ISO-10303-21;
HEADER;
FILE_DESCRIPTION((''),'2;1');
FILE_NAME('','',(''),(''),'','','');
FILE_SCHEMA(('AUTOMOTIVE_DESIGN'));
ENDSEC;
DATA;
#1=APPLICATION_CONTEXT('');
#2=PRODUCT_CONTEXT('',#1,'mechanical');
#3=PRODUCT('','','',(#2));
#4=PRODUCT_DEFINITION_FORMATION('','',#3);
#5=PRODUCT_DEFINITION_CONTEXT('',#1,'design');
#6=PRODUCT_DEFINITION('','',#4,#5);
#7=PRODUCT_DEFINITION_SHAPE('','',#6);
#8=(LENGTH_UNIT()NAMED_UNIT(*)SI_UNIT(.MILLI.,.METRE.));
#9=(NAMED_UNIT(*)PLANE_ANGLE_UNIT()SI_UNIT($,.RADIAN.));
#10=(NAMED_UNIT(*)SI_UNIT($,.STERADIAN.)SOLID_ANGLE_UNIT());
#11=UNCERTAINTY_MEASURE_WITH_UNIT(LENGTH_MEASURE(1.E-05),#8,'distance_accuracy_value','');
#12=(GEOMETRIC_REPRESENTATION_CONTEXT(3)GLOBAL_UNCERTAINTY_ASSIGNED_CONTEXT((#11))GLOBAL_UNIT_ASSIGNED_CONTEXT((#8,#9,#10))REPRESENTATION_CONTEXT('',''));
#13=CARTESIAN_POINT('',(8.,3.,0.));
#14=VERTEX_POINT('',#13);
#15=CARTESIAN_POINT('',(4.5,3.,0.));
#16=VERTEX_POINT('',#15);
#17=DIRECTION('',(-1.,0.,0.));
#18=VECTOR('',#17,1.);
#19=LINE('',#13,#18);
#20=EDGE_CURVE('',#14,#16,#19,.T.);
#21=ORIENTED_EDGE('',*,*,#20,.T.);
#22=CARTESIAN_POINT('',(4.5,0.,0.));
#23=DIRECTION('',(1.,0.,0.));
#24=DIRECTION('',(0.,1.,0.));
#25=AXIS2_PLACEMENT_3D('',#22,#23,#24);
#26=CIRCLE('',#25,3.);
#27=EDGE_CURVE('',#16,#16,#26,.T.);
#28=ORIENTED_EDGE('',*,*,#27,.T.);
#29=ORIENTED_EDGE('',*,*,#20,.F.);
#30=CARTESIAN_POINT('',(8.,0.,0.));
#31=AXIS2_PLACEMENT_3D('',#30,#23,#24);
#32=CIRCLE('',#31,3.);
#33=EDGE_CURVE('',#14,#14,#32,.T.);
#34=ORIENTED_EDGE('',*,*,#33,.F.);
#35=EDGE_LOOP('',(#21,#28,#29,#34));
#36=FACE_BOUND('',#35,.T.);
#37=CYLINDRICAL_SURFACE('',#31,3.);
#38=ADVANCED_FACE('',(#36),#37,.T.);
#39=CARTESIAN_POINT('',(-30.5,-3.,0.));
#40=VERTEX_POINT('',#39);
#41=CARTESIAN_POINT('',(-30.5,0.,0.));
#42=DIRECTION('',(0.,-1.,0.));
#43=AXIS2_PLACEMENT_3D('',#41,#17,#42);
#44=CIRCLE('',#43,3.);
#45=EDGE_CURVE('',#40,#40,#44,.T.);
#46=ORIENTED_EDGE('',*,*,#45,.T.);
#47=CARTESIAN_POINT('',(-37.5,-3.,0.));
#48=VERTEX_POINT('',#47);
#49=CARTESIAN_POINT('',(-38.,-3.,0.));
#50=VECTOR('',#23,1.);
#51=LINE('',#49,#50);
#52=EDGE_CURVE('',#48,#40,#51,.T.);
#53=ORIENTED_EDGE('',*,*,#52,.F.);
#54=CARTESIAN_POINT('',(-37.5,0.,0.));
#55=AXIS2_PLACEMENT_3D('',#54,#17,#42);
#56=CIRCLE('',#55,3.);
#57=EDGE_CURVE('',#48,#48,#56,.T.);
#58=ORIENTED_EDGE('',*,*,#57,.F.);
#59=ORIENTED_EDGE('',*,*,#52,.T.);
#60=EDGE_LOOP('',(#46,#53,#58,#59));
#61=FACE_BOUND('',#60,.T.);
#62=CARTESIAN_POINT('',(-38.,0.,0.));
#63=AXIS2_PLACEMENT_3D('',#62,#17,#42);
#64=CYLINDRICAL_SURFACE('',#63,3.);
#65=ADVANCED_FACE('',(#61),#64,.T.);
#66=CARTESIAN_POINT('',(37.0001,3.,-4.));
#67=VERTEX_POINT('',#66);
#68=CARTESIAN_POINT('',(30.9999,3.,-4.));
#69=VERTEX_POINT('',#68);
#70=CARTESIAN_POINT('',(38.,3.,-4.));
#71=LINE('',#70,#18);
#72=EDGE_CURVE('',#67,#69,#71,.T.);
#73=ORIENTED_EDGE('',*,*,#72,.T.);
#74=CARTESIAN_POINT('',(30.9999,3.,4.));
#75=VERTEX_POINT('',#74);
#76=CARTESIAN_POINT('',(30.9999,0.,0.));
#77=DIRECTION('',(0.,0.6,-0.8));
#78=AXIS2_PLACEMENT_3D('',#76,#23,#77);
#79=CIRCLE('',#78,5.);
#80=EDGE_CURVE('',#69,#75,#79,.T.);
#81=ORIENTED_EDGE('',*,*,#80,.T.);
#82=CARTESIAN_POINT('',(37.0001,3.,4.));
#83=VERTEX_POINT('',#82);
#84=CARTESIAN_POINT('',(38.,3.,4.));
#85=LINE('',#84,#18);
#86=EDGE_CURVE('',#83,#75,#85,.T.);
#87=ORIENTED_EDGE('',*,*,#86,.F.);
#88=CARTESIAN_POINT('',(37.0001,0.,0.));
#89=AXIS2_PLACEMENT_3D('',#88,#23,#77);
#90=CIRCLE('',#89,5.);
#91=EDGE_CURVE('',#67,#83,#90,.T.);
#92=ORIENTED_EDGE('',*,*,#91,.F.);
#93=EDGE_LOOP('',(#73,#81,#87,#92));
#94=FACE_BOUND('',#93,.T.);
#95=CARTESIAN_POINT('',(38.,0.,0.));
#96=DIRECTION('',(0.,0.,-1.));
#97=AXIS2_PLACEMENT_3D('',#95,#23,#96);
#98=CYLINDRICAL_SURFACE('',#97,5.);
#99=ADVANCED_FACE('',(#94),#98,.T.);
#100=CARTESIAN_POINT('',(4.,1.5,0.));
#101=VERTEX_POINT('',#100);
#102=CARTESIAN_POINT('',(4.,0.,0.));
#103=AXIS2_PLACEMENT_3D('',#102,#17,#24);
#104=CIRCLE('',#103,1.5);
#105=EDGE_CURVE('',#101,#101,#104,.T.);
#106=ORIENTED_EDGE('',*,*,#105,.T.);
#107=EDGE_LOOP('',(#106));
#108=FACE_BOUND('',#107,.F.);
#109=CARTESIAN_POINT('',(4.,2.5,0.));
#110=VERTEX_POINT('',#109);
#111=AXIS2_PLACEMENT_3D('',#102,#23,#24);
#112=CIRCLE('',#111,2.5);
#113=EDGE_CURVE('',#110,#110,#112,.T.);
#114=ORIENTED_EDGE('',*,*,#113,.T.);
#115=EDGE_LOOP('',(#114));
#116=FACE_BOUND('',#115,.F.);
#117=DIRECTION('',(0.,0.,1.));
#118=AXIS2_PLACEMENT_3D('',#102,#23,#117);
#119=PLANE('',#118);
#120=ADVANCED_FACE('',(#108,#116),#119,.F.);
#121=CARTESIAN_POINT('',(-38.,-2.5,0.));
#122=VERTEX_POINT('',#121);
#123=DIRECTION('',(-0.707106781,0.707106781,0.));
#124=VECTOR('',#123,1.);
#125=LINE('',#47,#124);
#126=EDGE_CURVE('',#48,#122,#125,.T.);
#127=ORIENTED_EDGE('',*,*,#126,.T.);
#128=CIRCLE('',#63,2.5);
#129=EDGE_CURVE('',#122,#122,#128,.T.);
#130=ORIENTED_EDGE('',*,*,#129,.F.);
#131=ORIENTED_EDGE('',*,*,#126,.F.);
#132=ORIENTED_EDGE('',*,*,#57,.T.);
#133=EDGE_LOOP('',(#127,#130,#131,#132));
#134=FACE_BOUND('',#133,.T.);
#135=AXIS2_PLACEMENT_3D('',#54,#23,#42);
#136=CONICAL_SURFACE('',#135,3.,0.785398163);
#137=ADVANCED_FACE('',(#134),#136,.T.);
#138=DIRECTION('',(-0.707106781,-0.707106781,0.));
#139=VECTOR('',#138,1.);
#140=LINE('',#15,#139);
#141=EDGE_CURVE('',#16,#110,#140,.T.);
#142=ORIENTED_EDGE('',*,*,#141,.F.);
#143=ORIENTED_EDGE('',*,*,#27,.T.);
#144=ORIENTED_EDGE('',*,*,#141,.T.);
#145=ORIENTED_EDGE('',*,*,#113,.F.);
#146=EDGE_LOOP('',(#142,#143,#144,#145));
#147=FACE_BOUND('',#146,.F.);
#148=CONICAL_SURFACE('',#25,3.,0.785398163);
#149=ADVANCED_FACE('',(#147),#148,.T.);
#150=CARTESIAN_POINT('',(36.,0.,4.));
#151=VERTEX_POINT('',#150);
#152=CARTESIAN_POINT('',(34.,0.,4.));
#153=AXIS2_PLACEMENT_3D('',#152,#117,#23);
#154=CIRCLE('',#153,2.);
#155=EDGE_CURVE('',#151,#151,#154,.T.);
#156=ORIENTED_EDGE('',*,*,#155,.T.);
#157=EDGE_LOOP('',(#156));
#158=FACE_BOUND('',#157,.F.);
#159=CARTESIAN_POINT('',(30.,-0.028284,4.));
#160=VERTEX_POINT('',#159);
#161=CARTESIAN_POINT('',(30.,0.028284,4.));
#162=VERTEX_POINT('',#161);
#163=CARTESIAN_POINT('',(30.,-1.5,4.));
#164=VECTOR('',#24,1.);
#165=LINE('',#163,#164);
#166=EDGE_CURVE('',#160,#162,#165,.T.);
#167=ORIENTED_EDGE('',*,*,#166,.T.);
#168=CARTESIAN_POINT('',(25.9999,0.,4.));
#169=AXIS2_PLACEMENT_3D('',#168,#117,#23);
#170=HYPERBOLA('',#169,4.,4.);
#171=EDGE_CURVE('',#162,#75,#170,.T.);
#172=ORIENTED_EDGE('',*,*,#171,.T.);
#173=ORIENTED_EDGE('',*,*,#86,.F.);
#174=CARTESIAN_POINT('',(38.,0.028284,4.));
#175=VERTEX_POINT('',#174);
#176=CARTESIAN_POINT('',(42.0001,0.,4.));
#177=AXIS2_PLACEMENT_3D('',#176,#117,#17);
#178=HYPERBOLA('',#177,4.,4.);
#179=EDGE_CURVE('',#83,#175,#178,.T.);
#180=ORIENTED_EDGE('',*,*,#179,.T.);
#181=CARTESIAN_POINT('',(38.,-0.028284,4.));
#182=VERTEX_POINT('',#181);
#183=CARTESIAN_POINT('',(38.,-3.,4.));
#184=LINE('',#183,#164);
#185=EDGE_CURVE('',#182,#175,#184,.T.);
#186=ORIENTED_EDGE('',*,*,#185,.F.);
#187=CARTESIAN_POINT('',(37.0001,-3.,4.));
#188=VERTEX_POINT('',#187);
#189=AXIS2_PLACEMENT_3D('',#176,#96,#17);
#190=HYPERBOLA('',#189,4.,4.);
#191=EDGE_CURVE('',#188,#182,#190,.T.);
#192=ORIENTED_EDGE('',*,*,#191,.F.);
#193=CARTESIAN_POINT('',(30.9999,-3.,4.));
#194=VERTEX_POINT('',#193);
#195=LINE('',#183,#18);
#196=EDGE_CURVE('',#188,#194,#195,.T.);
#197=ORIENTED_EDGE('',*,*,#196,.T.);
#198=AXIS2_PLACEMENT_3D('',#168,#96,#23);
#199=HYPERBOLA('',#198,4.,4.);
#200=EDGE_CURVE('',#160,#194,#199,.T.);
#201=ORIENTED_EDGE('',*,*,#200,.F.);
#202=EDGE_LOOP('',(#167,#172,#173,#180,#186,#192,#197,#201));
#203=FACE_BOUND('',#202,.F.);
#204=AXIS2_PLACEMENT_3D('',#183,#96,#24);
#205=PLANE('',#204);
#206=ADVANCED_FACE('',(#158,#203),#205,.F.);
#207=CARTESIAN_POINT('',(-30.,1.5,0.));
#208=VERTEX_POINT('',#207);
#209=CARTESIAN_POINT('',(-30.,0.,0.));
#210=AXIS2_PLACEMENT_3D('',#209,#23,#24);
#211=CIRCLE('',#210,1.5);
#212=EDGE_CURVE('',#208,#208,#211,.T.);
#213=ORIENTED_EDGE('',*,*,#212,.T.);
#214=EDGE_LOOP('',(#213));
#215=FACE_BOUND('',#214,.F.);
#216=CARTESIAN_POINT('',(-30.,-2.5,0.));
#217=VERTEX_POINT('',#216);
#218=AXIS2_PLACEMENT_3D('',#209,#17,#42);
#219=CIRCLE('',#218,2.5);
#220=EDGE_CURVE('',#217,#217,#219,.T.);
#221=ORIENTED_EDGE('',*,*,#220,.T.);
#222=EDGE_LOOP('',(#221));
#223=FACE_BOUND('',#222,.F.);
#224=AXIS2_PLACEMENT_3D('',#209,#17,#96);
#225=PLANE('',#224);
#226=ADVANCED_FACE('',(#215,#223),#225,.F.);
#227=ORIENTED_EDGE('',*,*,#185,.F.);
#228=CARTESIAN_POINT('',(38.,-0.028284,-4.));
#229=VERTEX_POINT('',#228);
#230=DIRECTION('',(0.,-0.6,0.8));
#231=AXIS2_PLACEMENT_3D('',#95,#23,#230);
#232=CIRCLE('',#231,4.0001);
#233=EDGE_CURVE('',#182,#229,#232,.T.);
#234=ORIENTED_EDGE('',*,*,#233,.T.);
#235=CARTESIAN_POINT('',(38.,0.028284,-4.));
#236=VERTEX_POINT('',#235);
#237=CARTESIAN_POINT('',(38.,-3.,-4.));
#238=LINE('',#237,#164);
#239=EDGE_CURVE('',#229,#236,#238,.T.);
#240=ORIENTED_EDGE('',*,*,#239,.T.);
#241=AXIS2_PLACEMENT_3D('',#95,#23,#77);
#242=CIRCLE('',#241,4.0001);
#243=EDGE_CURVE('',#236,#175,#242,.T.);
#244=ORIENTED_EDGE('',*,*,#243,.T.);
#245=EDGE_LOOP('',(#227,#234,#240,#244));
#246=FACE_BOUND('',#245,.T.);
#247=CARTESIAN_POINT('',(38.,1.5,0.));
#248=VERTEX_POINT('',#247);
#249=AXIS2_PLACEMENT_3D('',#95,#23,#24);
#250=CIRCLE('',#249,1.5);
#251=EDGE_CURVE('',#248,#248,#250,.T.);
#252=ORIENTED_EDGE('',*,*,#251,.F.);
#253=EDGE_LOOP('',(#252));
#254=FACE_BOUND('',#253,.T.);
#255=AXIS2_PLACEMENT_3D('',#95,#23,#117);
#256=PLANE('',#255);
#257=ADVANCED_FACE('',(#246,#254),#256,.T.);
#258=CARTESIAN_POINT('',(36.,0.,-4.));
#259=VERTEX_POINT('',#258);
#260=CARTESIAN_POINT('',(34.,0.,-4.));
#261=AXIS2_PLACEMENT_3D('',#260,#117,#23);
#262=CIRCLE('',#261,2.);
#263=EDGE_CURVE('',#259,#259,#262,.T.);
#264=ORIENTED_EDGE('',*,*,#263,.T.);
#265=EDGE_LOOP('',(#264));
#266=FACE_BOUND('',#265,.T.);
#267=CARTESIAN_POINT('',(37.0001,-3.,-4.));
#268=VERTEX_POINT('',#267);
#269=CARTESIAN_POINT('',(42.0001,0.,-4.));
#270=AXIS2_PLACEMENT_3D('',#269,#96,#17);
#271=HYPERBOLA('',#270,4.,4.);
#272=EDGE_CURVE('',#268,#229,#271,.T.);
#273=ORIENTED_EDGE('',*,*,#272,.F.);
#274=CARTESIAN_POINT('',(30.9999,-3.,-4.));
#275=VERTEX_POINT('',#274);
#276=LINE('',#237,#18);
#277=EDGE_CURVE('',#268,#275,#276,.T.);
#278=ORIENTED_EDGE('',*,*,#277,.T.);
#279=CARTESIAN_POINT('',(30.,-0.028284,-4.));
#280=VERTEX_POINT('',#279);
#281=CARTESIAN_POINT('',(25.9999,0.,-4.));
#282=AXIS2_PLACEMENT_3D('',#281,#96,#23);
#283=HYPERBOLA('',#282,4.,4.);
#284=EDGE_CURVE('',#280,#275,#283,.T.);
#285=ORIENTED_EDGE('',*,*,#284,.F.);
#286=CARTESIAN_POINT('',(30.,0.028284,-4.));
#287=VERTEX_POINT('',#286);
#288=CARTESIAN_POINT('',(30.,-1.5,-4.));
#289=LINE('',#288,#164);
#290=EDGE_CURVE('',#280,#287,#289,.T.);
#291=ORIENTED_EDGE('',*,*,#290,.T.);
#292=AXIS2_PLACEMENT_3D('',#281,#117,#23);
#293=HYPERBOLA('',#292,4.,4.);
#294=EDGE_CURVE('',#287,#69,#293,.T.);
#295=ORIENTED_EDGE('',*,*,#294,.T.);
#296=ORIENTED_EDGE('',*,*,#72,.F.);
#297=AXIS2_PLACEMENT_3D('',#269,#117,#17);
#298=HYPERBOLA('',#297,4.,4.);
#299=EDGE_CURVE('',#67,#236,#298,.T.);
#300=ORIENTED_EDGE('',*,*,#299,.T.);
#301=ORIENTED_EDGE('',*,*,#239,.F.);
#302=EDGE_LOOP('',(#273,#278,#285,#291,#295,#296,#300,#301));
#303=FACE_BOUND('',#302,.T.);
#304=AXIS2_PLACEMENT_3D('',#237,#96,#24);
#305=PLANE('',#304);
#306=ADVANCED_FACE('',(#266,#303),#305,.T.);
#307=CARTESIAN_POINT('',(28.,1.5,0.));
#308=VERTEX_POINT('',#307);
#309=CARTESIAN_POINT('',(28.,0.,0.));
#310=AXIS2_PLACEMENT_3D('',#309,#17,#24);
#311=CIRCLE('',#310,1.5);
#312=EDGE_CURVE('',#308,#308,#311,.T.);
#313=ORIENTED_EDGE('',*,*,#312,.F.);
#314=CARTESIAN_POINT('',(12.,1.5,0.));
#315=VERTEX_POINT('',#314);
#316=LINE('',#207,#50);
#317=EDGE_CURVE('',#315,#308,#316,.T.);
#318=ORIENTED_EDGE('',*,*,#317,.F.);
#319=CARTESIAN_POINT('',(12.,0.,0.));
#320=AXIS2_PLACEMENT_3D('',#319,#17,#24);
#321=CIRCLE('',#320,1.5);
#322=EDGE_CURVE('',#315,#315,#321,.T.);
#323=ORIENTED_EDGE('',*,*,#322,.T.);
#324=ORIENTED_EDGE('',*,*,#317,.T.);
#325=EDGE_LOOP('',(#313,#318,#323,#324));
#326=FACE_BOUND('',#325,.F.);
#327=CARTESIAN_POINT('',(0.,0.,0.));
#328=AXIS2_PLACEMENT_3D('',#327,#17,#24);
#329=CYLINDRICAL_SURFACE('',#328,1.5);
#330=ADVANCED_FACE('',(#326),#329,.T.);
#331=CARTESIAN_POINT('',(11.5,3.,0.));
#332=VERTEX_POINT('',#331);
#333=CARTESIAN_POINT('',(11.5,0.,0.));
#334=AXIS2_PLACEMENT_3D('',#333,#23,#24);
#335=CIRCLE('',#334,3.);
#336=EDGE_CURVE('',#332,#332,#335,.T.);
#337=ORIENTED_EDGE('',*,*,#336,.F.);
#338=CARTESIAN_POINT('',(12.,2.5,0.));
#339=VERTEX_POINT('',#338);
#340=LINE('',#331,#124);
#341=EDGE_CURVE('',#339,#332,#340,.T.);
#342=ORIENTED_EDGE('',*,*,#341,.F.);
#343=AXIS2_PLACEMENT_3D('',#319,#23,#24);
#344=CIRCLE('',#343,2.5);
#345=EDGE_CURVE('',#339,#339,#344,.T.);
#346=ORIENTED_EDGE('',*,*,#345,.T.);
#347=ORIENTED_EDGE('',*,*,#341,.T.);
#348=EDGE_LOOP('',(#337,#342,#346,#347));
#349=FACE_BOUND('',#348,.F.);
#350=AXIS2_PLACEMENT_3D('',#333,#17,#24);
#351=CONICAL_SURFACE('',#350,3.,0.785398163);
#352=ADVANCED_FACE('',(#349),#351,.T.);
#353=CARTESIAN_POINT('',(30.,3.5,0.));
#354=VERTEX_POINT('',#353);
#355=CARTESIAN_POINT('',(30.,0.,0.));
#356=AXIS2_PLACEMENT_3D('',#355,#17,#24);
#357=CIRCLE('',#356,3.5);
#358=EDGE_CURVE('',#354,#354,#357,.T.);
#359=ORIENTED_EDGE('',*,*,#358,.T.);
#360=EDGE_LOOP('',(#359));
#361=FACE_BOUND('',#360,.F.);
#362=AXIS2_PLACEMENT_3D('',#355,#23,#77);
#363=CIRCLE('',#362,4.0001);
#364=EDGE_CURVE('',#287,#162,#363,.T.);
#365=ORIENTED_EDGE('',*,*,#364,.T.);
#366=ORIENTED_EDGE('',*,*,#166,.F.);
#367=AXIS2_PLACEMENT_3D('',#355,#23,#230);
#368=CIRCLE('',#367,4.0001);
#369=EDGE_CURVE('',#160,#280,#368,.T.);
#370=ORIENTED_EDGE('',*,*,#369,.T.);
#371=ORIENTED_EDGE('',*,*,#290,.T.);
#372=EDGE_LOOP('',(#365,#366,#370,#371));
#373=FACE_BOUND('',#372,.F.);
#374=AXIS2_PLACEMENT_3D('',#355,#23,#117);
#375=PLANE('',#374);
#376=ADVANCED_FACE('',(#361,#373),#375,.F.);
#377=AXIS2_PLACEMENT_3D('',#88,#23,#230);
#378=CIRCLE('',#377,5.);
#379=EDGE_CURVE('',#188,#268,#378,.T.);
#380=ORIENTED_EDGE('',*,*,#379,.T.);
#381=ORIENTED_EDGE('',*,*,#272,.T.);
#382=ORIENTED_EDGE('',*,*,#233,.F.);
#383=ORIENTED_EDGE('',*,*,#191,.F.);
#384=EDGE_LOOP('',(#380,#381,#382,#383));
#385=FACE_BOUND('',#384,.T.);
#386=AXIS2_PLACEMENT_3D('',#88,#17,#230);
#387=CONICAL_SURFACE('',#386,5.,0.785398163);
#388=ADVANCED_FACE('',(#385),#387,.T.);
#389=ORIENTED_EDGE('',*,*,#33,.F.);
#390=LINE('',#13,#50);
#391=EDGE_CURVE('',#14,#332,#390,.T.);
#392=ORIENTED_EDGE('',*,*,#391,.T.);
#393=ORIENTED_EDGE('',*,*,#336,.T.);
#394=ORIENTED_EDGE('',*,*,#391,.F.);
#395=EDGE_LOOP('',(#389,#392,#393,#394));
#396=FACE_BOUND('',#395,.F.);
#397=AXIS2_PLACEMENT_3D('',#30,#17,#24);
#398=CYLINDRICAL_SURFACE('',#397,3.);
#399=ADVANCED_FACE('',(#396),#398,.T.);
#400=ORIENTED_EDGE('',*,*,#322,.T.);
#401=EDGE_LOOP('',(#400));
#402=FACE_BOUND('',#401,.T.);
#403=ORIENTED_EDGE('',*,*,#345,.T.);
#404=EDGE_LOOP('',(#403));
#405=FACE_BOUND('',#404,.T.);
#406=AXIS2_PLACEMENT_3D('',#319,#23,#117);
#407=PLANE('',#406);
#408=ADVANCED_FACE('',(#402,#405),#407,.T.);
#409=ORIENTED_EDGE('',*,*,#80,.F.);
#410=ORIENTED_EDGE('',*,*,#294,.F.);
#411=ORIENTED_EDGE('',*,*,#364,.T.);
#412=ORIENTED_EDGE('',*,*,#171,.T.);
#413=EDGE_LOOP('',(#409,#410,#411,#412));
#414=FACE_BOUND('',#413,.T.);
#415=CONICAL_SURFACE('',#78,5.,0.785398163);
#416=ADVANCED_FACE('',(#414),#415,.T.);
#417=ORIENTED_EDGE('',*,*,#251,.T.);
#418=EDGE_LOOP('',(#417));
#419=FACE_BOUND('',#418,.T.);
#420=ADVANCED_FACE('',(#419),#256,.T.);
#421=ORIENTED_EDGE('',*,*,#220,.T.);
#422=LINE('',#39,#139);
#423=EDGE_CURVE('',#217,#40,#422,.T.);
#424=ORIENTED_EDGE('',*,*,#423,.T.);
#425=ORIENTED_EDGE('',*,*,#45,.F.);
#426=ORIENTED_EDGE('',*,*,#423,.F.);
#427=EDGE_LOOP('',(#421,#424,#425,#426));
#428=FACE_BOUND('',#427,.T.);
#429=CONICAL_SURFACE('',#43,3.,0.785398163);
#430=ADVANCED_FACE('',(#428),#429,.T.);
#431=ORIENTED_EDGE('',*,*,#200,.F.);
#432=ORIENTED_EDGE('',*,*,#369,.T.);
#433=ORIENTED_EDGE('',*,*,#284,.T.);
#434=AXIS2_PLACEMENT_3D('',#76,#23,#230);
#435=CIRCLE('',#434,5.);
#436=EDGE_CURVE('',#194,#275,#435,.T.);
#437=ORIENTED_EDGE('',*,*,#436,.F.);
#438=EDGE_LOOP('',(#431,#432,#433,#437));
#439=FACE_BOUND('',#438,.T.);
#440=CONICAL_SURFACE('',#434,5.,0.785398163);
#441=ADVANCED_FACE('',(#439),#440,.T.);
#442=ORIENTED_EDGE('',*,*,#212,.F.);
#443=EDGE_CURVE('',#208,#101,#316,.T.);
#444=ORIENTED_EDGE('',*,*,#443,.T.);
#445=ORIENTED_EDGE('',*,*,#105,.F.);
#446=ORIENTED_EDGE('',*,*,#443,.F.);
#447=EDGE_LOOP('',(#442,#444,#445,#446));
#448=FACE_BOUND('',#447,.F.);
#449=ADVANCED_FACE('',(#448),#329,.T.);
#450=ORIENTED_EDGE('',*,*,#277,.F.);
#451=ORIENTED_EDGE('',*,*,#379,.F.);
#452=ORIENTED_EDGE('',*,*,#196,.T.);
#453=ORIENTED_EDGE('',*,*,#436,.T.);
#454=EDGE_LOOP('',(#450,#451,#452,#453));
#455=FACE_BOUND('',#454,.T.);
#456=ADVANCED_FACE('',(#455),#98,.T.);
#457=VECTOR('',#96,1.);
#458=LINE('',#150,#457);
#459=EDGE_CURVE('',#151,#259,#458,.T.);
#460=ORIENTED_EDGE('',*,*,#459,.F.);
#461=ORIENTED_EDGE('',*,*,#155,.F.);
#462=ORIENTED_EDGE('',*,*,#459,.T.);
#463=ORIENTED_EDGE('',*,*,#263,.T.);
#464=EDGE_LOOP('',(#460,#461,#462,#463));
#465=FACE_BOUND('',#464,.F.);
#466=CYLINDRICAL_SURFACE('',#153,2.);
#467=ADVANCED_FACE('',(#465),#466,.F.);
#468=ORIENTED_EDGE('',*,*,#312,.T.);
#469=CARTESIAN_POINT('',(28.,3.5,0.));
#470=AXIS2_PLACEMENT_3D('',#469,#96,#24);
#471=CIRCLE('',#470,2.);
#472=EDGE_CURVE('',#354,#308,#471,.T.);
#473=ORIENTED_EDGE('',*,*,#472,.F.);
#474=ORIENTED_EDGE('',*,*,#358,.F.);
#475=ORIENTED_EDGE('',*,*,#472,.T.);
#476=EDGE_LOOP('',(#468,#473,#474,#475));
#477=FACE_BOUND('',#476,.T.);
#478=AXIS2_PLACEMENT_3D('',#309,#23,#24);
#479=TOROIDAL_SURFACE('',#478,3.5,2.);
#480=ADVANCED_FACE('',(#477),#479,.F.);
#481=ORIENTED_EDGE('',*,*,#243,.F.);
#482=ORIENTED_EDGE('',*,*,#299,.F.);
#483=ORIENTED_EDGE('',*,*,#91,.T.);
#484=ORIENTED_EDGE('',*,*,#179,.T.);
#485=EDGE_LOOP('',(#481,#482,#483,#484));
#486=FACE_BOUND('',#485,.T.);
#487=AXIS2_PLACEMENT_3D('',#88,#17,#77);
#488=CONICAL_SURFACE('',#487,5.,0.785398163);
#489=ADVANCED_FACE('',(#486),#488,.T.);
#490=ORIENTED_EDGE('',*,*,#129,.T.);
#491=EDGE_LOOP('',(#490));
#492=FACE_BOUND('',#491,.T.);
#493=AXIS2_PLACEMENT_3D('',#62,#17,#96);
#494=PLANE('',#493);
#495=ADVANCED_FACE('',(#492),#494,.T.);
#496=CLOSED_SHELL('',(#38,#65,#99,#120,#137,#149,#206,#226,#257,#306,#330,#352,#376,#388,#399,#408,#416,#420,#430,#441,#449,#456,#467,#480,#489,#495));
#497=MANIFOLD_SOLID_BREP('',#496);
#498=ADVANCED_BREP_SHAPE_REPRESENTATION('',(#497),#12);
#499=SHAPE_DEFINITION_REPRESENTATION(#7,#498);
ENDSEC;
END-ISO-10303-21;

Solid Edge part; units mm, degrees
sketch "Sketch1" plane through (0, 0, 0) normal (1, 0, 0) x (0, 1, 0)
  circle A0 centre (0, 0) radius 1.5
extrude "Protrusion1" add sketch "Sketch1" along normal mid plane 76
sketch "Sketch2" plane through (-38, 0, 0) normal (-1, 0, 0) x (0, -1, 0)
  circle A0 centre (0, 0) radius 3
extrude "ExtrudedProtrusion_2" add sketch "Sketch2" against normal blind 8
sketch "Sketch3" plane through (8, 0, 0) normal (1, 0, 0) x (0, 1, 0)
  circle A0 centre (0, 0) radius 3
extrude "ExtrudedProtrusion_3" add sketch "Sketch3" along normal mid plane 8
chamfer "Chamfer_1" distance 0.5 angle 45 4 edges at (-38, 3, 0) (-30, 3, 0) (12, -3, 0) (4, -3, 0)
sketch "Sketch4" plane through (38, 0, 0) normal (1, 0, 0) x (0, 0, -1)
  circle A0 centre (0, 0) radius 5
extrude "ExtrudedProtrusion_4" add sketch "Sketch4" against normal blind 8
sketch "Sketch5" plane through (38, 0, 0) normal (1, 0, 0) x (0, 0, -1)
  line L0 (-4, -3) -> (-4, 3)
  arc A0 (-4, -3) -> (-4, 3) centre (0, 0) cw
  line L1 (4, -3) -> (4, 3)
  arc A1 (4, 3) -> (4, -3) centre (0, 0) cw
extrude "ExtrudedCutout_1" cut sketch "Sketch5" against normal blind 9
sketch "Sketch6" plane through (34, 0, 4) normal (0, 0, 1) x (1, 0, 0)
  circle A0 centre (0, 0) radius 2
extrude "ExtrudedCutout_2" cut sketch "Sketch6" along normal mid plane 64.4682
chamfer "Chamfer_2" distance 1 angle 45 2 edges at (30, -5, 0) (38, -5, 0)
chamfer "Chamfer_3" distance 1 angle 45 2 edges at (30, 5, 0) (38, 5, 0)
fillet "Round_1" radius 2 1 edges at (30, 1.5, 0)
